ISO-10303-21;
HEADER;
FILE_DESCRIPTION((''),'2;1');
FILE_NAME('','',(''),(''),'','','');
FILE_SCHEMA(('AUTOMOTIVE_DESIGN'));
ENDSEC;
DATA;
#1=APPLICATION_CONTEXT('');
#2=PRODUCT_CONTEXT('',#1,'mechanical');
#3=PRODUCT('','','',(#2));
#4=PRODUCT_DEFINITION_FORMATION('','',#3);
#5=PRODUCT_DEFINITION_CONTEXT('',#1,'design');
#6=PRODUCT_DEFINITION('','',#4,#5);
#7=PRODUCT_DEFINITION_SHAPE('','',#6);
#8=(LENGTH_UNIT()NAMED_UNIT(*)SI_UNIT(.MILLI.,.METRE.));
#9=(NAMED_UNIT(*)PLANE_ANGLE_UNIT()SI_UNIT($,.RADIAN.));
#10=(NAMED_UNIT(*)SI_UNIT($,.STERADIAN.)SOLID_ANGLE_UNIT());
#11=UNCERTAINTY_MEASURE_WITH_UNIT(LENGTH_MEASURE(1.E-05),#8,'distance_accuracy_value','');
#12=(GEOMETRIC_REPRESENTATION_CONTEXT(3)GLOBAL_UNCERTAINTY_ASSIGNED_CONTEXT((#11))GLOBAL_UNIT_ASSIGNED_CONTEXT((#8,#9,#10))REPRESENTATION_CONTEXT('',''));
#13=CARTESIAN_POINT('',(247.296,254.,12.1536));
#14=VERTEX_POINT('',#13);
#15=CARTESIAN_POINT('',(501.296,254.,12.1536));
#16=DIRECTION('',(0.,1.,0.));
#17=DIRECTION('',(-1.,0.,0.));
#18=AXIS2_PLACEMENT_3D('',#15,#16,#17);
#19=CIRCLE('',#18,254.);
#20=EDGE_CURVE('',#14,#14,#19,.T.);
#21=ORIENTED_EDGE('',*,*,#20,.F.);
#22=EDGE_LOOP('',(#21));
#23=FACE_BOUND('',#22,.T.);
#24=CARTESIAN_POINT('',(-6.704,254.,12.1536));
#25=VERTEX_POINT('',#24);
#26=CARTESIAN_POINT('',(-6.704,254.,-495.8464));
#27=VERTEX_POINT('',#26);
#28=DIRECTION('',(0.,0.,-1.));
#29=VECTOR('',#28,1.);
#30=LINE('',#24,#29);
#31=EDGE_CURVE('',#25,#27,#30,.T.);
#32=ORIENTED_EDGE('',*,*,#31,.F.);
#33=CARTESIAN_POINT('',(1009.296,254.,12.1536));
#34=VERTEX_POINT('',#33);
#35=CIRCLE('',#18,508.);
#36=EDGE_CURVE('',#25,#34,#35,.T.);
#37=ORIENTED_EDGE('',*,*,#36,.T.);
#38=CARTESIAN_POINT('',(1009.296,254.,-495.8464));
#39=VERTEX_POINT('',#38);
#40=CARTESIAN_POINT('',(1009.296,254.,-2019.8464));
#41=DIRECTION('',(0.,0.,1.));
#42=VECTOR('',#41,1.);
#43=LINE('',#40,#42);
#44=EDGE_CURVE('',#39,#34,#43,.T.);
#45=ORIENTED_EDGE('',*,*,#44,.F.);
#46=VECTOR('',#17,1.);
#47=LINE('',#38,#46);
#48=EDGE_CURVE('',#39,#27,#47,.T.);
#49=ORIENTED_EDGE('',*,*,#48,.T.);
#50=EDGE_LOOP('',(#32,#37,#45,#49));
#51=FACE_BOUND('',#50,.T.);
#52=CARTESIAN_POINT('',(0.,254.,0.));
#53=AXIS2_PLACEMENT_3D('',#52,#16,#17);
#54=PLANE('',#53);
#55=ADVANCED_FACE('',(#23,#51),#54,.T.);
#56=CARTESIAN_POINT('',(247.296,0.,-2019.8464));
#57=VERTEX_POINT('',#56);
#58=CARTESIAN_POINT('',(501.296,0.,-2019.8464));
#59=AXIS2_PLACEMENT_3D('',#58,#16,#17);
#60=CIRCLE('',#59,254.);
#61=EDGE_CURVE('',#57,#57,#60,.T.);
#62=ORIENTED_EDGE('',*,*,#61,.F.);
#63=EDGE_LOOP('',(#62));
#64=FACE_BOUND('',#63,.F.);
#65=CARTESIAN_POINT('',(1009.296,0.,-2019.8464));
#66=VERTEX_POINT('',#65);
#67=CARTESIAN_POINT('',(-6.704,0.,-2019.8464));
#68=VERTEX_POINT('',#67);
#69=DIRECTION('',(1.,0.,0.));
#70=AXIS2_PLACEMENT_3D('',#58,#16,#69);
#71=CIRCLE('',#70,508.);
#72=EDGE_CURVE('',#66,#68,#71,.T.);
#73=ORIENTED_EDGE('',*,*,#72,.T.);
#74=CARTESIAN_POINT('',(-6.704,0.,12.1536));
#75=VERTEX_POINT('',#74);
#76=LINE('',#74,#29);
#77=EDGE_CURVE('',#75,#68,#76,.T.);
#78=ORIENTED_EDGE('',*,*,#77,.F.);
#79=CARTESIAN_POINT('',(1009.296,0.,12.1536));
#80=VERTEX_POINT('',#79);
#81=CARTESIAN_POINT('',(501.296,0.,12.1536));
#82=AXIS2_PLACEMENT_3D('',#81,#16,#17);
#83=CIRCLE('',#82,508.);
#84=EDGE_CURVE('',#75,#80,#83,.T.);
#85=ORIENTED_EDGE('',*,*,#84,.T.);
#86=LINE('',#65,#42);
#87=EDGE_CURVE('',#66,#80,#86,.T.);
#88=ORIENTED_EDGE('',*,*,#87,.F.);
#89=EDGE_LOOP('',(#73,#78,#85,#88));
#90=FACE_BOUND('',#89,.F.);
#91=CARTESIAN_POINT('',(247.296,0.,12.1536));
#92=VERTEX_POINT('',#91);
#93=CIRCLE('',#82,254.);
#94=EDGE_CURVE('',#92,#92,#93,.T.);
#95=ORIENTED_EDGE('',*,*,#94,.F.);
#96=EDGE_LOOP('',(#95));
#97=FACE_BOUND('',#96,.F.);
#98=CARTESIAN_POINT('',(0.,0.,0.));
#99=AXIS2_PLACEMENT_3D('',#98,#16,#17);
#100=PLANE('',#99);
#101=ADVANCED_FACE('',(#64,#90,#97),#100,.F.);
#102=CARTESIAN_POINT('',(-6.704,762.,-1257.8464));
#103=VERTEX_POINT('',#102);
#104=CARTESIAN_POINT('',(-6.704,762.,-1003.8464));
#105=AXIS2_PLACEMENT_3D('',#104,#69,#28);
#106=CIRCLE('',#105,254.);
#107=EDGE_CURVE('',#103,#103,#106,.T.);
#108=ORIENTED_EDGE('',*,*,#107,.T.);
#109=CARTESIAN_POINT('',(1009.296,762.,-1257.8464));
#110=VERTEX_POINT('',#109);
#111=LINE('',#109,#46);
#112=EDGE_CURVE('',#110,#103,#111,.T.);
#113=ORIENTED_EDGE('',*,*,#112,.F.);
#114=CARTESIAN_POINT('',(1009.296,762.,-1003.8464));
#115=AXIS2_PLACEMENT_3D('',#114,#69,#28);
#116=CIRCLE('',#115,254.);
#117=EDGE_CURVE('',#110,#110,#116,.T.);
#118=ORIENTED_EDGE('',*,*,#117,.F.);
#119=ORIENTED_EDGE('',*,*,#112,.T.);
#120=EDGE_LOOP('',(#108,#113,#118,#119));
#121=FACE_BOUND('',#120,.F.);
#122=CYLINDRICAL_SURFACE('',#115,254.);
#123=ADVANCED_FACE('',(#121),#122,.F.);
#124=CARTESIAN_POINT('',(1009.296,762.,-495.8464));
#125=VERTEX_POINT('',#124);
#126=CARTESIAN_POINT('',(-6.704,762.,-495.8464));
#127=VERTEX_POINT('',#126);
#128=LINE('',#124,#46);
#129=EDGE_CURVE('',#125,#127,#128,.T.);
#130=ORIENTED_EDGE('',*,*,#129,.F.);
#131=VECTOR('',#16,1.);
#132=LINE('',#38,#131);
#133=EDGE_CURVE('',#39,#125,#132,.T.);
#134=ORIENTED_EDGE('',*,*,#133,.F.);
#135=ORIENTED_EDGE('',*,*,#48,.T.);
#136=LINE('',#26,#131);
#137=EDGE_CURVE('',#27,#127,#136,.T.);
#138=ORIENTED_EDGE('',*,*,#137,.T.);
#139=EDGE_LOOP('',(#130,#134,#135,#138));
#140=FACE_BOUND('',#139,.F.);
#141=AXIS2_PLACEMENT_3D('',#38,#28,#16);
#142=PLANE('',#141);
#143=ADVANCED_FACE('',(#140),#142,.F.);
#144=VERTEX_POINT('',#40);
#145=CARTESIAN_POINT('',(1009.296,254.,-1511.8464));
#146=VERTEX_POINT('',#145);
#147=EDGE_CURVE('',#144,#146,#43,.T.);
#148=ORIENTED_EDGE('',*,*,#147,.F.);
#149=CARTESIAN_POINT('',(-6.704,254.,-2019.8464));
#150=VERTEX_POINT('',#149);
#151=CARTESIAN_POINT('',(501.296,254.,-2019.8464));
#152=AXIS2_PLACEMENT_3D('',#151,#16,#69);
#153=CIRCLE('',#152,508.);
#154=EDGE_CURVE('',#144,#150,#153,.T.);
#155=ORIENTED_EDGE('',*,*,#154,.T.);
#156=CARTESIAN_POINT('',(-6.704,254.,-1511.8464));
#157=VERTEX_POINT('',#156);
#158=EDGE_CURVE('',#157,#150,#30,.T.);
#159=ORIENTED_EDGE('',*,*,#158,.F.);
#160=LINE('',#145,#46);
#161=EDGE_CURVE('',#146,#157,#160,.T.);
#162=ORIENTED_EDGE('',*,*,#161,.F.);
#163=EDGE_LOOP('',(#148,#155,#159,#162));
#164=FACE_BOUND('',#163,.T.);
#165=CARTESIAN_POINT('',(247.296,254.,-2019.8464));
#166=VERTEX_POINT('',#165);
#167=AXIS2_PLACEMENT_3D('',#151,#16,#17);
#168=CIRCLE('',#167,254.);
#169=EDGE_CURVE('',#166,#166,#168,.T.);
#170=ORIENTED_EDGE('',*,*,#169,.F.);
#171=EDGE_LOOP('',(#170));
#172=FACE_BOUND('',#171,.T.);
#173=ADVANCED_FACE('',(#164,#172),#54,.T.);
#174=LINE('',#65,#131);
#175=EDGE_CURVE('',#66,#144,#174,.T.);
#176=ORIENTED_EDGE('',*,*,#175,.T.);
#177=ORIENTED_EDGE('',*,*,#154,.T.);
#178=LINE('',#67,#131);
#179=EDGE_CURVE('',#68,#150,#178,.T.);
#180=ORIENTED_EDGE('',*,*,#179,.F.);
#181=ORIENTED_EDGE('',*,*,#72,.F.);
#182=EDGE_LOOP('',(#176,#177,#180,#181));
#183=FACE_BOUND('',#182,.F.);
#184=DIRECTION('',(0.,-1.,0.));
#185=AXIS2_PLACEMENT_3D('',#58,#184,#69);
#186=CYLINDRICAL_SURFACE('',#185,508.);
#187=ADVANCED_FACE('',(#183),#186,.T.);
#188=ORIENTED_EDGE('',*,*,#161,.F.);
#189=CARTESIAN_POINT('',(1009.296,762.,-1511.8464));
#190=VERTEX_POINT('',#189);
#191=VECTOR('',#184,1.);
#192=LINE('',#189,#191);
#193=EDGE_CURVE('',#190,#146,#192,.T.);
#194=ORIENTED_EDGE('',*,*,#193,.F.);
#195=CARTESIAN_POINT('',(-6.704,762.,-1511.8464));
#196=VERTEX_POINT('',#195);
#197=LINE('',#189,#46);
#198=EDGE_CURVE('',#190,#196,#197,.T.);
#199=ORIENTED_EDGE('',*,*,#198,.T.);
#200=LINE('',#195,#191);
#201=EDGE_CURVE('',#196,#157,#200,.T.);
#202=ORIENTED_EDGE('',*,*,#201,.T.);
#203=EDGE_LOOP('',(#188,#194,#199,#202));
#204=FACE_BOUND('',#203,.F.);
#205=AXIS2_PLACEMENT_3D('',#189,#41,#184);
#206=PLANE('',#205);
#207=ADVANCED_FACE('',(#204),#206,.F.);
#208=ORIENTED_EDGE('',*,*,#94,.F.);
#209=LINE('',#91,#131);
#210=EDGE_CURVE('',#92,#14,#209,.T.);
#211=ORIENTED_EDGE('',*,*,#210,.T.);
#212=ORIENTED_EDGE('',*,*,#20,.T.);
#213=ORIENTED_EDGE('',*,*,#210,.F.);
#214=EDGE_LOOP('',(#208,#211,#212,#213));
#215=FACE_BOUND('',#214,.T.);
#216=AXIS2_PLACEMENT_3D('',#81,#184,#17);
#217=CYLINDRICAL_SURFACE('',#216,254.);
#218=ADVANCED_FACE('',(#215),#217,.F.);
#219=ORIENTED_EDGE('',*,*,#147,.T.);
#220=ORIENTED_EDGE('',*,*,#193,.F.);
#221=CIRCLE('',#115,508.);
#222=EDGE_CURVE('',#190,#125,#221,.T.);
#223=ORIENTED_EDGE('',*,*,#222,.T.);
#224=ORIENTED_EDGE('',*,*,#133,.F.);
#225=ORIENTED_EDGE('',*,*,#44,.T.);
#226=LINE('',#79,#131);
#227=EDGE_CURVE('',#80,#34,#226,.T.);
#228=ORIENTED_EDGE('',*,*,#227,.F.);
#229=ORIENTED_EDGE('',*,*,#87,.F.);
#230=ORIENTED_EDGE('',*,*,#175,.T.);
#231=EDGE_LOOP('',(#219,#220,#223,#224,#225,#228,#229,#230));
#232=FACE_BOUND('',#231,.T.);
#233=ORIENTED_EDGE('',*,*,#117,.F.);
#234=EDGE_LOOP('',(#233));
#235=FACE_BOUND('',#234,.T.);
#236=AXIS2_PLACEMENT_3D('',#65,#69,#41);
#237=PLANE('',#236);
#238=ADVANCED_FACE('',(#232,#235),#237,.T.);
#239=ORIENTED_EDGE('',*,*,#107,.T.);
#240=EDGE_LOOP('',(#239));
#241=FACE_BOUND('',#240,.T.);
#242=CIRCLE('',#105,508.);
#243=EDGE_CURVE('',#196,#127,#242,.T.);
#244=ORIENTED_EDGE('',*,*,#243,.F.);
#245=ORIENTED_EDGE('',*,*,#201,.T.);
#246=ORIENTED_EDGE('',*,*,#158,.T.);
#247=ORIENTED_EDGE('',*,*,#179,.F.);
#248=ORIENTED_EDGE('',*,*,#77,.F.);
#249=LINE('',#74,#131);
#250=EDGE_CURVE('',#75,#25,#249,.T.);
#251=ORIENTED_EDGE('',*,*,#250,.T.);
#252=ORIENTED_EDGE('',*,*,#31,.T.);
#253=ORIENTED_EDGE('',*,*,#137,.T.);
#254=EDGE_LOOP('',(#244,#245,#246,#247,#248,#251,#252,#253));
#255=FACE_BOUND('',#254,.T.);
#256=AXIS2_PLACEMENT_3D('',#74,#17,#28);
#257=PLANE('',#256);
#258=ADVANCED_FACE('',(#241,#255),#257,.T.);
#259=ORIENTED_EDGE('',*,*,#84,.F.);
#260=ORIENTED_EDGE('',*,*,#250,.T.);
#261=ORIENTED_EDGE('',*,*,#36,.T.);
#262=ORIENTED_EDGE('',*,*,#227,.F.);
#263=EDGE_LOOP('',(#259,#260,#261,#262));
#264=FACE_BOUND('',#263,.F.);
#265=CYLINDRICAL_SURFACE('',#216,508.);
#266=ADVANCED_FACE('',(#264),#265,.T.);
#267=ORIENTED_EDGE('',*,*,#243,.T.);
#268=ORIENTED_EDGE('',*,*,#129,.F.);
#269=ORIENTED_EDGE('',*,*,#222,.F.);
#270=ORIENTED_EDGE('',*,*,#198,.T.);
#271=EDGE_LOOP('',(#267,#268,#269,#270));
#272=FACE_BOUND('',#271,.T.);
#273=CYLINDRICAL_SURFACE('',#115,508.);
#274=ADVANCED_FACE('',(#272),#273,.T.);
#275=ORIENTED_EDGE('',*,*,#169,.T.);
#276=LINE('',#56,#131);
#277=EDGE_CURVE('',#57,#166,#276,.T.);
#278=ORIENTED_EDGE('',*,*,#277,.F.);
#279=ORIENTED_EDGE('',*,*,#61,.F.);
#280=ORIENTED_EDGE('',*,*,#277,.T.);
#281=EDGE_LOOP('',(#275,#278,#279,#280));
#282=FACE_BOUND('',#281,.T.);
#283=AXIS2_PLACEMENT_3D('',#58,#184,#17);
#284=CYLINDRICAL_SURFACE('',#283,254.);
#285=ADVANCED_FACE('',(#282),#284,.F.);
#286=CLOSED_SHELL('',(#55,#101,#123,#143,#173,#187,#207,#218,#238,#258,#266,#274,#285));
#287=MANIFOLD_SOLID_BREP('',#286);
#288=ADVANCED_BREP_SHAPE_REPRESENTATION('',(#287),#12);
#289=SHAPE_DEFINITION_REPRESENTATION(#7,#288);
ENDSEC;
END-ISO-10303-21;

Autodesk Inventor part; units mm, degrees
ref_plane "YZ Plane" through (0, 0, 0) normal (1, 0, 0) x (0, 1, 0)
ref_plane "XZ Plane" through (0, 0, 0) normal (0, 1, 0) x (-1, 0, 0)
ref_plane "XY Plane" through (0, 0, 0) normal (0, 0, 1) x (1, 0, 0)
sketch "Sketch1" plane through (0, 0, 0) normal (0, 1, 0) x (-1, 0, 0)
  line L0 (6.704, 12.1536) -> (6.704, -2019.8464)
  line L1 (-1009.296, -2019.8464) -> (-1009.296, 12.1536)
  arc A0 (6.704, 12.1536) -> (-1009.296, 12.1536) centre (-501.296, 12.1536) ccw
  arc A1 (-1009.296, -2019.8464) -> (6.704, -2019.8464) centre (-501.296, -2019.8464) ccw
  circle A2 centre (-501.296, 12.1536) radius 254
  circle A3 centre (-501.296, -2019.8464) radius 254
  point P0 (0, 0)
  dimension "d0" = 2032
  dimension "d1" = 1016
  dimension "d2" = 2032
  dimension "d3" = 508
  dimension "d4" = 508
extrude "Extrusion1" add sketch "Sketch1" along normal blind 254
sketch "Sketch2" plane through (0, 254, 0) normal (0, 1, 0) x (1, 0, 0)
  circle A0 centre (501.296, -12.1536) radius 254 projected
  line L0 (501.296, 495.8464) -> (0, 495.8464)
  line L1 (501.296, 495.8464) -> (1009.296, 495.8464)
  line L2 (1009.296, -12.1536) -> (1009.296, 2019.8464) projected
  circle A1 centre (501.296, 2019.8464) radius 254 projected
  line L3 (501.296, 1511.8464) -> (-6.704, 1511.8464)
  line L4 (-6.704, 2019.8464) -> (-6.704, -12.1536) projected
  line L5 (501.296, 1511.8464) -> (1009.296, 1511.8464)
  point P0 (0, 0)
  dimension "d9" = 508
  dimension "d10" = 508
sketch "Sketch3" plane through (0, 254, 0) normal (0, 1, 0) x (1, 0, 0)
  point P0 (0, 0)
sketch "Sketch4" plane through (0, 254, 0) normal (0, 1, 0) x (1, 0, 0)
  line L0 (502.0713, -12.1292) -> (502.0713, 495.8708)
  line L1 (502.0713, 495.8708) -> (-6.704, 495.8708)
  line L2 (-6.704, 2019.8464) -> (-6.704, -12.1536) projected
  point P0 (0, 0)
  dimension "d11" = 508
sketch "Sketch5" plane through (0, 254, 0) normal (0, 1, 0) x (1, 0, 0)
  point P0 (0, 0)
sketch "Sketch6" plane through (0, 254, 0) normal (0, 1, 0) x (1, 0, 0)
  point P0 (0, 0)
sketch "Sketch7" plane through (0, 254, 0) normal (0, 1, 0) x (1, 0, 0)
  point P0 (0, 0)
sketch "Sketch8" plane through (0, 254, 0) normal (0, 1, 0) x (1, 0, 0)
  point P0 (0, 0)
sketch "Sketch9" plane through (0, 0, 0) normal (0, -1, 0) x (1, 0, 0)
  point P0 (0, 0)
sketch "Sketch10" plane through (1009.296, 0, 12.1536) normal (1, 0, 0) x (0, 0, -1)
  line L0 (0, 254) -> (-508, 254) projected
  line L1 (0, 254) -> (508, 254)
  line L2 (2032, 254) -> (0, 254) projected
  line L3 (508, 254) -> (508, 762)
  line L4 (1524, 762) -> (1524, 254)
  line L5 (1524, 254) -> (508, 254)
  arc A0 (1524, 762) -> (508, 762) centre (1016, 762) ccw
  circle A1 centre (1016, 762) radius 254
  point P0 (12.1536, 0)
  dimension "d12" = 508
  dimension "d13" = 508
  dimension "d14" = 1016
  dimension "d15" = 508
  dimension "d16" = 508
extrude "Extrusion2" add sketch "Sketch10" against normal blind 1016
properties part number "Tarea No 1 - 1053321"
